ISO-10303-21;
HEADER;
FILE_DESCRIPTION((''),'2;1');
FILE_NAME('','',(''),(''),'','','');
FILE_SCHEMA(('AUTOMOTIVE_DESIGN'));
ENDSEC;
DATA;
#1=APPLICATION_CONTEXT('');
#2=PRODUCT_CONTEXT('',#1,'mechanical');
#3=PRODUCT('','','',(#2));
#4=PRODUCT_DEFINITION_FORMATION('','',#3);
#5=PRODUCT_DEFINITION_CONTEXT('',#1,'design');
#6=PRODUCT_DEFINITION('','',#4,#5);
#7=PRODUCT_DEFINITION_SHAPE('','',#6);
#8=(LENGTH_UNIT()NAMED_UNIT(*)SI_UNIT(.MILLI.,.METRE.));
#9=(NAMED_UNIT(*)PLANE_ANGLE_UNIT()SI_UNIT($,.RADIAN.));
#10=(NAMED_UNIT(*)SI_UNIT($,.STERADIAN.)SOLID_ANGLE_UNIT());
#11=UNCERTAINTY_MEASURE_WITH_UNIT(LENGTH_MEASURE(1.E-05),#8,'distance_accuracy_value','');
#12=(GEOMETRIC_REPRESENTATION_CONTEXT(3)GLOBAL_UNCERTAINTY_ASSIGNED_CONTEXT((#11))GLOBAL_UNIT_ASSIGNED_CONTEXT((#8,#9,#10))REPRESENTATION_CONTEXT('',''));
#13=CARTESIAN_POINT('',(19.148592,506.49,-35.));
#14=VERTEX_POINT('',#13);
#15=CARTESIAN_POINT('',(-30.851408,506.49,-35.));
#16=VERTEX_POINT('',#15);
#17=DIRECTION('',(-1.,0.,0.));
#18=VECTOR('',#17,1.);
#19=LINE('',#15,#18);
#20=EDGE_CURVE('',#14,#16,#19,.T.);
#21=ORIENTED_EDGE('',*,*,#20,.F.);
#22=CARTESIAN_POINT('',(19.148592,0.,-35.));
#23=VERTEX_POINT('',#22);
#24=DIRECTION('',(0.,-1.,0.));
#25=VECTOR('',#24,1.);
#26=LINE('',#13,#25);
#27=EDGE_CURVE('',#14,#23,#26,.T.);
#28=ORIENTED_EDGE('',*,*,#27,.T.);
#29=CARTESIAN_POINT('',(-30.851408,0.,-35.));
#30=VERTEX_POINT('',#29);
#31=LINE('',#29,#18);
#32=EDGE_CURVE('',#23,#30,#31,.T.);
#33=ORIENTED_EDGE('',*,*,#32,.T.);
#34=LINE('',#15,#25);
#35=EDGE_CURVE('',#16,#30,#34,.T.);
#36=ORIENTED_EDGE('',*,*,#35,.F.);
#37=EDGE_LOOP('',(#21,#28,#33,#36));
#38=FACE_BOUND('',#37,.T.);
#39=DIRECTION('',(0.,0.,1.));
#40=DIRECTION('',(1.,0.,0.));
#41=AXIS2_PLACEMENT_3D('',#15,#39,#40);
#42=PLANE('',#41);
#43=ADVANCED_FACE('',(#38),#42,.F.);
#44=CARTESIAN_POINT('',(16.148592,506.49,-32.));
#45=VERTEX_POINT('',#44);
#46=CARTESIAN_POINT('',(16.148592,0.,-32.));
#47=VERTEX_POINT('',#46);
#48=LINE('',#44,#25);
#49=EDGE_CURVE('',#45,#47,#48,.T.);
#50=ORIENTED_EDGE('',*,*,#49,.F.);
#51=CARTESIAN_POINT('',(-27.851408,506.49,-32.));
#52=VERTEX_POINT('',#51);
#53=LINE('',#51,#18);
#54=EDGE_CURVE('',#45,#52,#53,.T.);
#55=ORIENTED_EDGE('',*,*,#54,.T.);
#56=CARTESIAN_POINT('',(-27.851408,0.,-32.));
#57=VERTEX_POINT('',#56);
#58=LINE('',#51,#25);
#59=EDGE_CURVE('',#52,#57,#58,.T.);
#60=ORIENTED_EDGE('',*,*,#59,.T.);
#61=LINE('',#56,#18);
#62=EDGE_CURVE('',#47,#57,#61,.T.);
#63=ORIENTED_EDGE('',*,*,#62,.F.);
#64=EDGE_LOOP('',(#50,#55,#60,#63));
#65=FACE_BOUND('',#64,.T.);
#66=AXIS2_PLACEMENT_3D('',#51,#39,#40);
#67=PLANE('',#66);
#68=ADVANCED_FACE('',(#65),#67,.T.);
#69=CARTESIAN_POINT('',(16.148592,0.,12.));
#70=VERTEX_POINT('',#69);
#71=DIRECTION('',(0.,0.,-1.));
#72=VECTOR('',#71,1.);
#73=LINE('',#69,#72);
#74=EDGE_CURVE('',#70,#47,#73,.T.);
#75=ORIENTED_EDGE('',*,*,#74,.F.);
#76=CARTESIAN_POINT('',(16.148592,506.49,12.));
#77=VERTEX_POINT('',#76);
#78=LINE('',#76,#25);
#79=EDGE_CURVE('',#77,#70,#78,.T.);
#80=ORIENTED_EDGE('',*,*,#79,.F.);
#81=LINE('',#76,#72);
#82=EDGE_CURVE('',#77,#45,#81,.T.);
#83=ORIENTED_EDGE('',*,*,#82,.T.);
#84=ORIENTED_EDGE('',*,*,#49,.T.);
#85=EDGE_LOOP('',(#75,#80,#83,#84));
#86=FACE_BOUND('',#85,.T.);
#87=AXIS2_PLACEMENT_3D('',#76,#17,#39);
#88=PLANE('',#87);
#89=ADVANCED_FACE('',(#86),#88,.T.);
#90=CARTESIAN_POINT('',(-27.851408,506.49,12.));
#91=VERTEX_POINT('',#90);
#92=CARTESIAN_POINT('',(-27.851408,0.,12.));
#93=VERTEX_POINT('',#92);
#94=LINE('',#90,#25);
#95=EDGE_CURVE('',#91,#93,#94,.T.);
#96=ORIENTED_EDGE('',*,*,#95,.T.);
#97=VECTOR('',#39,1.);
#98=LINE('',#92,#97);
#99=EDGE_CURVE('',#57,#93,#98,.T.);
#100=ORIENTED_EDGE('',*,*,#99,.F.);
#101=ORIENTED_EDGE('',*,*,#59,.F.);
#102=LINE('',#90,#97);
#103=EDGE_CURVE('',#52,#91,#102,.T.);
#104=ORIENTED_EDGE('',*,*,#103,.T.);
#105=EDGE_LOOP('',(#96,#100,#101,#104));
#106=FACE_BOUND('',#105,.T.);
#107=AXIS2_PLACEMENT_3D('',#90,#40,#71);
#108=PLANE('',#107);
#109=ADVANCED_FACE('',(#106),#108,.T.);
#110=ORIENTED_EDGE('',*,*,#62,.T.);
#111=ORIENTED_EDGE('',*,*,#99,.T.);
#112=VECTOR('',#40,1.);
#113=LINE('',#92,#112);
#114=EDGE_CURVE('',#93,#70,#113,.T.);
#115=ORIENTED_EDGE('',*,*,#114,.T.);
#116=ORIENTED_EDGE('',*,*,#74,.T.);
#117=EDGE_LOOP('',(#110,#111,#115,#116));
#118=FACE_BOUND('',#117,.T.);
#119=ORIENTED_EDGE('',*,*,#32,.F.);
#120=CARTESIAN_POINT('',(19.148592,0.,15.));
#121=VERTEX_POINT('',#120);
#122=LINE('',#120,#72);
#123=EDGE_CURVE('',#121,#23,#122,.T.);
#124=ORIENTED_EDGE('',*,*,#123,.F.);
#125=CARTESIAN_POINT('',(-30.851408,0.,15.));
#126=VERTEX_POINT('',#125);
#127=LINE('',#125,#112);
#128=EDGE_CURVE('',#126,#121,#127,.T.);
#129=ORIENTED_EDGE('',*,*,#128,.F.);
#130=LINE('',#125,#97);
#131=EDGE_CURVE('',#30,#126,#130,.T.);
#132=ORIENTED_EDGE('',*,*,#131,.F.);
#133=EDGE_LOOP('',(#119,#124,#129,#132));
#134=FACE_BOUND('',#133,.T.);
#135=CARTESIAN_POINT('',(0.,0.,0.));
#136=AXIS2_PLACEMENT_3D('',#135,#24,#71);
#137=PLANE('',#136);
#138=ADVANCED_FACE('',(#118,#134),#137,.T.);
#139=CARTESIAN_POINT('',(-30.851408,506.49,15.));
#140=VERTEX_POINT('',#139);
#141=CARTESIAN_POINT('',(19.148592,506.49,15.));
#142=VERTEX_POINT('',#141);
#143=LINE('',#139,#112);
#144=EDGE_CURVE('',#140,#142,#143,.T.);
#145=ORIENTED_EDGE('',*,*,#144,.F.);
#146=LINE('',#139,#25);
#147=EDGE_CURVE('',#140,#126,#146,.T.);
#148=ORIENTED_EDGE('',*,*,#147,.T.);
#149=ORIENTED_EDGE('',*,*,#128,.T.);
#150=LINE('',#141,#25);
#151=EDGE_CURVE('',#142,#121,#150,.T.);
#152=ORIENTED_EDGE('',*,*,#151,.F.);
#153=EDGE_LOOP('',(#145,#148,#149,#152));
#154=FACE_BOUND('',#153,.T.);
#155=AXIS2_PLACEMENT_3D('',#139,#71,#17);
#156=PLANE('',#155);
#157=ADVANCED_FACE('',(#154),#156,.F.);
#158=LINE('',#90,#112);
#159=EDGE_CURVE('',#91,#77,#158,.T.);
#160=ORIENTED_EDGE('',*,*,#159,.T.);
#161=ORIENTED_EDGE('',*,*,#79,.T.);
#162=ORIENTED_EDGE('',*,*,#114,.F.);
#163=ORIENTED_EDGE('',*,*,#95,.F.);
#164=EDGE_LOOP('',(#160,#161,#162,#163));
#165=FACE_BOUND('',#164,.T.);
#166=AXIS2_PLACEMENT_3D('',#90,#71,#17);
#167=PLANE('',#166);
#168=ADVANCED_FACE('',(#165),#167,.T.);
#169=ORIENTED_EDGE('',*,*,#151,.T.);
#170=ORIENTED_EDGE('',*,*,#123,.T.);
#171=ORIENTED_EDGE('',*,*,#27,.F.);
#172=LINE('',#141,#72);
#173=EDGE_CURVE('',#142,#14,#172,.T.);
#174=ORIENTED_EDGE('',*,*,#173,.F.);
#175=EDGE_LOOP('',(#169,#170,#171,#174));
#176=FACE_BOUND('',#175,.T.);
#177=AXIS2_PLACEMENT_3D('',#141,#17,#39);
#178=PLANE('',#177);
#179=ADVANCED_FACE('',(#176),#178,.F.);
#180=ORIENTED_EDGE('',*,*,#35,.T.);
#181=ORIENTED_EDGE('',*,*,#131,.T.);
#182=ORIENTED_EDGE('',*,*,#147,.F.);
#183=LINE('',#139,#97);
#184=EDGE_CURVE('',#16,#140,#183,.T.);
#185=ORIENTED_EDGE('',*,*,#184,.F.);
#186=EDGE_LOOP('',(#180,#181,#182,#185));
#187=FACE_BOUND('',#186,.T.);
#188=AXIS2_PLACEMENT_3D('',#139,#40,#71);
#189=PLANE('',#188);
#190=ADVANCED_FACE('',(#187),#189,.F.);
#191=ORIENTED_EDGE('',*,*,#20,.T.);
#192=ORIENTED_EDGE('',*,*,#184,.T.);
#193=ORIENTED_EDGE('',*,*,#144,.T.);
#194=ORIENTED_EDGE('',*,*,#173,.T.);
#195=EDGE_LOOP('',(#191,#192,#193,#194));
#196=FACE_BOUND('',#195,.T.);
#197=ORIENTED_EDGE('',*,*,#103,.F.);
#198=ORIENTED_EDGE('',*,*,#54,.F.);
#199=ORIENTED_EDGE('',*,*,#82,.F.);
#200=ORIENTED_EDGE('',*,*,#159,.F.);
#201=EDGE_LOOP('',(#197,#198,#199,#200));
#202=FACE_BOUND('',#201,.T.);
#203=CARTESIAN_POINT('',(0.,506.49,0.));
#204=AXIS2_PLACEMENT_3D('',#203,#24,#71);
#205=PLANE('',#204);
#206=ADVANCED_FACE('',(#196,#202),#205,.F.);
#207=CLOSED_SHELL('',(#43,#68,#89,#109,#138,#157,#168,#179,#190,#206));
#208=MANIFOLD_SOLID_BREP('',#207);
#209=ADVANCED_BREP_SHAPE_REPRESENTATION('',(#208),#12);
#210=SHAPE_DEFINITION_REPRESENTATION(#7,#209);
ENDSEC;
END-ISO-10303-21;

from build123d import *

# Parameters (mm, degrees)
CROQUIS1_W              = 50
CROQUIS1_H              = 50
CROQUIS1_W_2            = 44
CROQUIS1_H_2            = 44
SALIENTE_EXTRUIR1_DEPTH = 506.49


with BuildPart() as part:
    # Croquis1 → Saliente-Extruir1 (new body)
    with BuildSketch(Plane(origin=(0, 0, 0), x_dir=(1, 0, 0), z_dir=(0, 1, 0))):
        with Locations((-5.851407977, 10)):
            Rectangle(CROQUIS1_W, CROQUIS1_H)
        with Locations((-5.851407977, 10)):
            Rectangle(CROQUIS1_W_2, CROQUIS1_H_2, mode=Mode.SUBTRACT)
    extrude(amount=SALIENTE_EXTRUIR1_DEPTH)


solid = part.part
